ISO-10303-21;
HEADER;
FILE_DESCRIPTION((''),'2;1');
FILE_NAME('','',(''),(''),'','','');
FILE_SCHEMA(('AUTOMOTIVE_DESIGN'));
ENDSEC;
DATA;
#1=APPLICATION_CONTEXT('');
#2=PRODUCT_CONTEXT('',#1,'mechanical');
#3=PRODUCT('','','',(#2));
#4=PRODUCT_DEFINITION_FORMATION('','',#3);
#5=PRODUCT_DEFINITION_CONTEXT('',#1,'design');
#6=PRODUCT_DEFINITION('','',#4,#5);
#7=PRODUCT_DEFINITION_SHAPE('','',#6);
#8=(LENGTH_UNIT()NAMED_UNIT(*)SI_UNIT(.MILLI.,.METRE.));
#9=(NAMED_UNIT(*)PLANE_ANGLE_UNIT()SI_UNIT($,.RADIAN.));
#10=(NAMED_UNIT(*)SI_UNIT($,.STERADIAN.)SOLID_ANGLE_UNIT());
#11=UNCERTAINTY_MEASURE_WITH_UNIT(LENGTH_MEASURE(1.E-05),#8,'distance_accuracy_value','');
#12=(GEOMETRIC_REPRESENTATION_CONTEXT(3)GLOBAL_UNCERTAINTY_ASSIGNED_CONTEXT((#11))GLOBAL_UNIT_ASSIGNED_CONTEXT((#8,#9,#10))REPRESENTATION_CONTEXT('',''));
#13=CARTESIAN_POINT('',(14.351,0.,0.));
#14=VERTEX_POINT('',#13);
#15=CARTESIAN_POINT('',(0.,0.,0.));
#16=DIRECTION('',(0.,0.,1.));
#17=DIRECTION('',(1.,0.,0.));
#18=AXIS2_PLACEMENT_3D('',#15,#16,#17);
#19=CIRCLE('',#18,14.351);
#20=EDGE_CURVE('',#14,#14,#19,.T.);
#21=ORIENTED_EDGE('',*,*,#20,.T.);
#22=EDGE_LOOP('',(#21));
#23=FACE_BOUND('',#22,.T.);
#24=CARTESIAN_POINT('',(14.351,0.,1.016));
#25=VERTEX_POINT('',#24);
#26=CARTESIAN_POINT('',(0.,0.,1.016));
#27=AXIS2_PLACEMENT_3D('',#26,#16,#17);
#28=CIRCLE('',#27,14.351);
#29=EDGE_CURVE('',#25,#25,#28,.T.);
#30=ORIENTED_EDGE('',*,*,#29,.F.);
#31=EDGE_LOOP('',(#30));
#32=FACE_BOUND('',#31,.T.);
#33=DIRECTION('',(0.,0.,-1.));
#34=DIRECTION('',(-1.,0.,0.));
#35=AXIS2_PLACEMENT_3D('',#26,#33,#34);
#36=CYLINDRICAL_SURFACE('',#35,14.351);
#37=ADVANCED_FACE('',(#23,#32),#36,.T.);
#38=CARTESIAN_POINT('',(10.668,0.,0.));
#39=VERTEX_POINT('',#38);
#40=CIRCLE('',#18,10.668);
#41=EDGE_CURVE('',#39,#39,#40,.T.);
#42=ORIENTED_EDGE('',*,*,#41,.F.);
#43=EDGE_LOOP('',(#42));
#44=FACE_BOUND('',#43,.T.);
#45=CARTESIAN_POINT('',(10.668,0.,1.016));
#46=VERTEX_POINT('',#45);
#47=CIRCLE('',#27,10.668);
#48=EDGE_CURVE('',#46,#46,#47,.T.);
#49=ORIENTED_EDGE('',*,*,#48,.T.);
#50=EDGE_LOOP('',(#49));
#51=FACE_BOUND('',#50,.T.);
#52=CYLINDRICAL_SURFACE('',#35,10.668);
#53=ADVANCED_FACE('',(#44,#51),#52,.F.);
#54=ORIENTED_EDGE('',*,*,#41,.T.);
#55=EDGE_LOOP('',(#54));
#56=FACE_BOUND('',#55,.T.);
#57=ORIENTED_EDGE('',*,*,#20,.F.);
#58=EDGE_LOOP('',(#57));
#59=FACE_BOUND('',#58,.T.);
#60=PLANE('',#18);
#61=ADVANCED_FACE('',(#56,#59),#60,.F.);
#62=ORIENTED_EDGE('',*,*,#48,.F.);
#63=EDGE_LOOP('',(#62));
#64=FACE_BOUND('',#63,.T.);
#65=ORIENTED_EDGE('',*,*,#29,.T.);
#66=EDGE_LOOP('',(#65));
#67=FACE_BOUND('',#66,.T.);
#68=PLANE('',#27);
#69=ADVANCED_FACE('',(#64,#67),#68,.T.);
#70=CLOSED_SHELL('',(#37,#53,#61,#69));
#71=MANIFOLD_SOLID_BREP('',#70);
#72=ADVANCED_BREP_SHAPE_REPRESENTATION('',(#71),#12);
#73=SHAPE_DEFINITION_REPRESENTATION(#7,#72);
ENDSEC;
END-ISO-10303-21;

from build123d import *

# Parameters (mm, degrees)
SKETCH1_R          = 14.351
SKETCH1_R_2        = 10.668
BASE_EXTRUDE_DEPTH = 1.016


with BuildPart() as part:
    # Sketch1 → Base-Extrude (new body)
    with BuildSketch(Plane.XY):
        Circle(SKETCH1_R)
        Circle(SKETCH1_R_2, mode=Mode.SUBTRACT)
    extrude(amount=BASE_EXTRUDE_DEPTH)


solid = part.part
